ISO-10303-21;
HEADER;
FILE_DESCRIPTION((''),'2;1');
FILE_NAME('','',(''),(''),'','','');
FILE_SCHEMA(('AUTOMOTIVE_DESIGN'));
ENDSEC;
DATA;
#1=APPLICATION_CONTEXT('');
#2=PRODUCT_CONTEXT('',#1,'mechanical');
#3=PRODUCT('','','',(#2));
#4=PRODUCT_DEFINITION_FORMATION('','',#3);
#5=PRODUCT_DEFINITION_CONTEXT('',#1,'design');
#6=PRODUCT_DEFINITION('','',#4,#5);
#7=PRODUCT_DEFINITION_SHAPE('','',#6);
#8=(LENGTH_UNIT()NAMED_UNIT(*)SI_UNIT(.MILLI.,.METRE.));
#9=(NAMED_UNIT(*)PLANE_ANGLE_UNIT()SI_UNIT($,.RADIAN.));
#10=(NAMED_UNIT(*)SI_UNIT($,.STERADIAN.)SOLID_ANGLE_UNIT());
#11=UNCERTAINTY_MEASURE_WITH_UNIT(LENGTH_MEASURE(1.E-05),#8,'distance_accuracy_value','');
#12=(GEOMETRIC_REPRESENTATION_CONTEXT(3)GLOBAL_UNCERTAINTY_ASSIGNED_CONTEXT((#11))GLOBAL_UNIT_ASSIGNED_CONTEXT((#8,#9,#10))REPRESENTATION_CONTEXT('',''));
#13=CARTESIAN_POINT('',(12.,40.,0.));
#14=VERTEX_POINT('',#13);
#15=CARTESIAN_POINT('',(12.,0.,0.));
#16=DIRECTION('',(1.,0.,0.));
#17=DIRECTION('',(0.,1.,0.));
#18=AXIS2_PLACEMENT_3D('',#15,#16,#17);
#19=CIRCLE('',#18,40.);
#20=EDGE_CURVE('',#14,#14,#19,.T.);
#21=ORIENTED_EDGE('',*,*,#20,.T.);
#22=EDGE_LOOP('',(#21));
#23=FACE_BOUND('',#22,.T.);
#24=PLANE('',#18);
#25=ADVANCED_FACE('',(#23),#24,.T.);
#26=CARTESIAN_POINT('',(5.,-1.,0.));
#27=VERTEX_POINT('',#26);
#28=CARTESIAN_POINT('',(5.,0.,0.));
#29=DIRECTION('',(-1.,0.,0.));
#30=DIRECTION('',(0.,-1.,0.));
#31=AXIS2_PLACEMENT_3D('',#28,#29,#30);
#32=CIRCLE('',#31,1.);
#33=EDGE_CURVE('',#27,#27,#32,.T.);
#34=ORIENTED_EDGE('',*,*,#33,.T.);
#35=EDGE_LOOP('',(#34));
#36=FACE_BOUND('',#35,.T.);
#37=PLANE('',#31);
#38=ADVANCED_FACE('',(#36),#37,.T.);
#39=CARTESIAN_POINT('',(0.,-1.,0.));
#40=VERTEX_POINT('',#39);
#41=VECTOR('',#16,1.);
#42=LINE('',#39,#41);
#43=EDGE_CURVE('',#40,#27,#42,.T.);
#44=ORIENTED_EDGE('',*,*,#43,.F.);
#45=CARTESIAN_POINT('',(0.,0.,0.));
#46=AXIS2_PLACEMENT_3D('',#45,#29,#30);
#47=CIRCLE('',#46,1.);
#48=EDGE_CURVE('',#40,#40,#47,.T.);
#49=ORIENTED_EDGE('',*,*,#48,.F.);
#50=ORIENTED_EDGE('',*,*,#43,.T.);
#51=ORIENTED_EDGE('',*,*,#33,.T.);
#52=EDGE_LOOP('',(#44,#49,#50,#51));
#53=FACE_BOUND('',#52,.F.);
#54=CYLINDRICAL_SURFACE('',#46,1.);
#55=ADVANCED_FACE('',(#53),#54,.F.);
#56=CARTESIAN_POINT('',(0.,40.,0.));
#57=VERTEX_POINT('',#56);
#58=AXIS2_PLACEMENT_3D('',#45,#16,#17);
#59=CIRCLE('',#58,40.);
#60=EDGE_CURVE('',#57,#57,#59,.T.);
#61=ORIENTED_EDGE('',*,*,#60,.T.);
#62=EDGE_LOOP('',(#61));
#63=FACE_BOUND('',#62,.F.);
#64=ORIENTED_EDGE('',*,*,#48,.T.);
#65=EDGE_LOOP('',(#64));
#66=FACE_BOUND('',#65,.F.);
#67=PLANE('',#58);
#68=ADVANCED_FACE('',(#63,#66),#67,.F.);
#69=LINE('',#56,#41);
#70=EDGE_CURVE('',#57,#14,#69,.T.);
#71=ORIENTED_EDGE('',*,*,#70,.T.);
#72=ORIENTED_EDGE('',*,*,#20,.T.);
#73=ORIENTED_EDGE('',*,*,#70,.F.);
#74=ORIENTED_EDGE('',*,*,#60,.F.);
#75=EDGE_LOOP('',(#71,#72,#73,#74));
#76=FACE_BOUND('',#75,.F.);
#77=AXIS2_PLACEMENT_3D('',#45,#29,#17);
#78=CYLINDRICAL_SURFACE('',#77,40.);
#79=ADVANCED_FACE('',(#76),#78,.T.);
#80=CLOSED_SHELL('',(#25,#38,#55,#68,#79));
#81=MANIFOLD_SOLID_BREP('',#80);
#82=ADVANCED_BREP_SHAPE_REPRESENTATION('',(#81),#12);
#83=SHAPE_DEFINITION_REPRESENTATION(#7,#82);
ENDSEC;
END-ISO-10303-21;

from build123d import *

# Parameters (mm, degrees)
F0_R     = 40
F1_DEPTH = 12
F2_R     = 1
F3_DEPTH = 5


with BuildPart() as f1:
    # F0 (on Right) → F1 (new body)
    with BuildSketch(Plane.YZ):
        Circle(F0_R)
    extrude(amount=F1_DEPTH)

    # F2 (on face) → F3 (cut)
    with BuildSketch(Plane(origin=(0, 0, 0), x_dir=(0, -1, 0), z_dir=(-1, 0, 0))):
        Circle(F2_R)
    extrude(amount=-F3_DEPTH, mode=Mode.SUBTRACT)


solid = f1.part
